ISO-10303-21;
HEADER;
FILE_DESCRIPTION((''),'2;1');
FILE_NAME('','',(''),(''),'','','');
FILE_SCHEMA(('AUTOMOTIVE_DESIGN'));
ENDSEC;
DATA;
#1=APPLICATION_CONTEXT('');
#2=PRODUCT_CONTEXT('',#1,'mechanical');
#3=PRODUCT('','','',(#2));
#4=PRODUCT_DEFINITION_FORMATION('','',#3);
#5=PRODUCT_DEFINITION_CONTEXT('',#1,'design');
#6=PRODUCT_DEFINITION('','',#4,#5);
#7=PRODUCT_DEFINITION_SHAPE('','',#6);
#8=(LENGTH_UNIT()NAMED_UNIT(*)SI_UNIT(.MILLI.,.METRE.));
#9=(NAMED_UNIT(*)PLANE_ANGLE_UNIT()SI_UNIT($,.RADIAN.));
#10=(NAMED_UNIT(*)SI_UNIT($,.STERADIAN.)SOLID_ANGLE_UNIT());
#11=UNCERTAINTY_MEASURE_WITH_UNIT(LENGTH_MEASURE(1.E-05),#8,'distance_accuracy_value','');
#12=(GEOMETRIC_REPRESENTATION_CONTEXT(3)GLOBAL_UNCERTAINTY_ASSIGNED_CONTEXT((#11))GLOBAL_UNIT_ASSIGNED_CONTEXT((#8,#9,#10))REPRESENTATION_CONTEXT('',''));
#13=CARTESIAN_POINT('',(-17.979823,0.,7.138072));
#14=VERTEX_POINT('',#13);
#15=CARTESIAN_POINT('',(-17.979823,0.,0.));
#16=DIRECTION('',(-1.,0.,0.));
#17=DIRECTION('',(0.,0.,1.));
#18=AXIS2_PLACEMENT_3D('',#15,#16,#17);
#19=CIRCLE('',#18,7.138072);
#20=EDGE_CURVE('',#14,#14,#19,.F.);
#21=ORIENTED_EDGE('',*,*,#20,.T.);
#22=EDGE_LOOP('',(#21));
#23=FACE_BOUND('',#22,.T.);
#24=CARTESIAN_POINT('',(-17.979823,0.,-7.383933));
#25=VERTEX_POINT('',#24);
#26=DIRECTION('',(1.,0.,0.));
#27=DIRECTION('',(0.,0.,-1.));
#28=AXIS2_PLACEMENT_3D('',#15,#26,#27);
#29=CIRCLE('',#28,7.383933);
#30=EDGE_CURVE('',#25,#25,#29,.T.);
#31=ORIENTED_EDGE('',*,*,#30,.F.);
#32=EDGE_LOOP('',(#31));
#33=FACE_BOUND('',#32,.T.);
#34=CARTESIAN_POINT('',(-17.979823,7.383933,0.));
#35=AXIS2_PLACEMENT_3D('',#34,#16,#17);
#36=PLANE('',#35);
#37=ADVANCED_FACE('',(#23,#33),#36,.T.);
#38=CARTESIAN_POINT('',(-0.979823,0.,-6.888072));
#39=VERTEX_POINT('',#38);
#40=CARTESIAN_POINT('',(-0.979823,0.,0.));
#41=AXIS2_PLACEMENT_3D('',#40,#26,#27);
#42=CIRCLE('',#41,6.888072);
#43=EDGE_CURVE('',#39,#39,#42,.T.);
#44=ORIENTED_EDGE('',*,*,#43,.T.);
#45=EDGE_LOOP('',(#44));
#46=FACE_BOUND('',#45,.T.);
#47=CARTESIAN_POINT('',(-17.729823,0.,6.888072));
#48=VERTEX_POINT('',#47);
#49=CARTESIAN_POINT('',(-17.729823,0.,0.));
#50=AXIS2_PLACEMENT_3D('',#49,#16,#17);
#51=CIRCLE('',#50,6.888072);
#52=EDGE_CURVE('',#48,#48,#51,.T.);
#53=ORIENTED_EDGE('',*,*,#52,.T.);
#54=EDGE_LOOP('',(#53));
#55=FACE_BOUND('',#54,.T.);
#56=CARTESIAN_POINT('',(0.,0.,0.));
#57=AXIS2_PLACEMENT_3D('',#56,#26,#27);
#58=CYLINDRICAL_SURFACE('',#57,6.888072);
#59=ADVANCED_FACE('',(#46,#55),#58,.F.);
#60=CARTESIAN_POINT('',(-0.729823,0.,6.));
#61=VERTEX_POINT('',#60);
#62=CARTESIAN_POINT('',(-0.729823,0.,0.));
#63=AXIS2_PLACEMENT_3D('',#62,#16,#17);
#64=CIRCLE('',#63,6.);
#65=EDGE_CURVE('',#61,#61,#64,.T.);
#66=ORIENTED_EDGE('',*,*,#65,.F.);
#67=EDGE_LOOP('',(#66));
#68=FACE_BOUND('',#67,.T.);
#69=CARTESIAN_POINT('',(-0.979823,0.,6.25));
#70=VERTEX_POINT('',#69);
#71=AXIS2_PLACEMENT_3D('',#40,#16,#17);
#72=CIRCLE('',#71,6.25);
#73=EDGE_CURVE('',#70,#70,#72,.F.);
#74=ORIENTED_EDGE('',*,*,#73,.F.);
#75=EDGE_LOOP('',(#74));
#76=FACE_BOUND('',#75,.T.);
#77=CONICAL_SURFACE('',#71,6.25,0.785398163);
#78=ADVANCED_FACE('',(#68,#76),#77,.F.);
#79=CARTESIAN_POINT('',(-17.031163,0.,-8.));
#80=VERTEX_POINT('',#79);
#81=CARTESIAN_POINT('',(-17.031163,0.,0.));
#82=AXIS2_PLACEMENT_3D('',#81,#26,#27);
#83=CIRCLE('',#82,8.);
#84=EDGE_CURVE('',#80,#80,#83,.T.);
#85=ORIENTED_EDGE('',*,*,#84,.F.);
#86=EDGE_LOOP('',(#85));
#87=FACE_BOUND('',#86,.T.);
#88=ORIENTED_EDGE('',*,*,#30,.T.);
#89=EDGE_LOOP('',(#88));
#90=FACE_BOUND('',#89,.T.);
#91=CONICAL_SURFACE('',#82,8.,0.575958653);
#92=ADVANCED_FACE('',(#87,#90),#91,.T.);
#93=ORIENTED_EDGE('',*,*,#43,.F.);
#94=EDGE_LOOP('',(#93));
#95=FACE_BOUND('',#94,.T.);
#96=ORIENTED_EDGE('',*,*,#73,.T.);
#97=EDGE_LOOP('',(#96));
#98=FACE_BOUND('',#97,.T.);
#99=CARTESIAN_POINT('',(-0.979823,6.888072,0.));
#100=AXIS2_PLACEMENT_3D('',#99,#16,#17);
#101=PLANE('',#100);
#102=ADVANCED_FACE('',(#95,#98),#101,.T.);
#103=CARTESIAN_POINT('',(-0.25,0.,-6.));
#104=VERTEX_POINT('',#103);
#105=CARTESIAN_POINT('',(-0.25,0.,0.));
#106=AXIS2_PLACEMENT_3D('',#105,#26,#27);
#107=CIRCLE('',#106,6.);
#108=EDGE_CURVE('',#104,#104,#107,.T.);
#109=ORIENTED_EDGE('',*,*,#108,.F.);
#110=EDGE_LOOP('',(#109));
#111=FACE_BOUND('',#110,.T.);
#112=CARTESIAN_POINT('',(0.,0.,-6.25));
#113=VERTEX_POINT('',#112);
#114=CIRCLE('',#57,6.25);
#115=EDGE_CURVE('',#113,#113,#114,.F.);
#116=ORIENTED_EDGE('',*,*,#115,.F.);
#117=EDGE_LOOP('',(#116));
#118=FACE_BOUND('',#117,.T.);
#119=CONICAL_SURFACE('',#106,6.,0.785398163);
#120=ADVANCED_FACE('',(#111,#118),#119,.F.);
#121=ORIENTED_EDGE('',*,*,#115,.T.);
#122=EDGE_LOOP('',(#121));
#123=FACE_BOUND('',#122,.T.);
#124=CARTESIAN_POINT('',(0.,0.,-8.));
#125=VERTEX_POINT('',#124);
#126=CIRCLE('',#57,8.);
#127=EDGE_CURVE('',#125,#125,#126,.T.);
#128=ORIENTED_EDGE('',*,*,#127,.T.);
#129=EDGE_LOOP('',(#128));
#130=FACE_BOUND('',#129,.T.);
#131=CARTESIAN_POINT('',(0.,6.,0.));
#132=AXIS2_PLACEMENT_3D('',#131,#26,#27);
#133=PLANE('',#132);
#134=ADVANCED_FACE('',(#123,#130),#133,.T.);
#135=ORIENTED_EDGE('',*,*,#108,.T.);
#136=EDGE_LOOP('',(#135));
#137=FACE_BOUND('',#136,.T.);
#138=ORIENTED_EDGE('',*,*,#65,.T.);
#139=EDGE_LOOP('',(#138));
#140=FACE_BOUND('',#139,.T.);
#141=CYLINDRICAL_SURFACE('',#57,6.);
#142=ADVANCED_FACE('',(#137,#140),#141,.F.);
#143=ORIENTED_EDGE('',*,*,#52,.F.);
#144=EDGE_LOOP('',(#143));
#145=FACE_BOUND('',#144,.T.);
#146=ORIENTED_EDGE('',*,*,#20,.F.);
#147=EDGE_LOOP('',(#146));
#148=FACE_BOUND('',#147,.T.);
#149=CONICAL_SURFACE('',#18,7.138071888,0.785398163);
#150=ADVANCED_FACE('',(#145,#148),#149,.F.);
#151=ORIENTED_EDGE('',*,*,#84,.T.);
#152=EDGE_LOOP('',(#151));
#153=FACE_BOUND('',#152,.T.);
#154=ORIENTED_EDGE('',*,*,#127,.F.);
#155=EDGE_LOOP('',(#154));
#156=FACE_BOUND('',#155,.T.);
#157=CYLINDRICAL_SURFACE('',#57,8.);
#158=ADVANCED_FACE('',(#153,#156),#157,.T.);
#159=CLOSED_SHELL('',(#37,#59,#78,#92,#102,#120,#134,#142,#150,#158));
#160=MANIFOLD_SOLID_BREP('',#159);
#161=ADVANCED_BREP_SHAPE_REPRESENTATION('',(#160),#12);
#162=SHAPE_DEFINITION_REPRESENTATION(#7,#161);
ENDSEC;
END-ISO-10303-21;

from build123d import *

# Parameters (mm, degrees)
CHAFL_N10_SIZE = 0.25


with BuildPart() as part:
    # Sketch1 → Revolve1 (revolve)
    with BuildSketch(Plane.XY, mode=Mode.PRIVATE) as revolve1_sk:
        Polygon((-17.979823496, 7.383932563), (-17.031162834, 8), (0, 8), (0, 6), (-0.979823496, 6), (-0.979823496, 6.888071888), (-17.979823496, 6.888071888), align=None)
    revolve(revolve1_sk.sketch.rotate(Axis((0, 0, 0), (-1, 0, 0)), 90), axis=Axis((0, 0, 0), (-1, 0, 0)))

    # Chaflán10
    chafl_n10_edges = [part.edges().sort_by_distance(p)[0] for p in [
        (-0.979823496, 0, 6),
        (-17.979823496, 0, 6.888071888),
        (0, 0, 6),
    ]]
    chamfer(chafl_n10_edges, length=CHAFL_N10_SIZE)


solid = part.part
